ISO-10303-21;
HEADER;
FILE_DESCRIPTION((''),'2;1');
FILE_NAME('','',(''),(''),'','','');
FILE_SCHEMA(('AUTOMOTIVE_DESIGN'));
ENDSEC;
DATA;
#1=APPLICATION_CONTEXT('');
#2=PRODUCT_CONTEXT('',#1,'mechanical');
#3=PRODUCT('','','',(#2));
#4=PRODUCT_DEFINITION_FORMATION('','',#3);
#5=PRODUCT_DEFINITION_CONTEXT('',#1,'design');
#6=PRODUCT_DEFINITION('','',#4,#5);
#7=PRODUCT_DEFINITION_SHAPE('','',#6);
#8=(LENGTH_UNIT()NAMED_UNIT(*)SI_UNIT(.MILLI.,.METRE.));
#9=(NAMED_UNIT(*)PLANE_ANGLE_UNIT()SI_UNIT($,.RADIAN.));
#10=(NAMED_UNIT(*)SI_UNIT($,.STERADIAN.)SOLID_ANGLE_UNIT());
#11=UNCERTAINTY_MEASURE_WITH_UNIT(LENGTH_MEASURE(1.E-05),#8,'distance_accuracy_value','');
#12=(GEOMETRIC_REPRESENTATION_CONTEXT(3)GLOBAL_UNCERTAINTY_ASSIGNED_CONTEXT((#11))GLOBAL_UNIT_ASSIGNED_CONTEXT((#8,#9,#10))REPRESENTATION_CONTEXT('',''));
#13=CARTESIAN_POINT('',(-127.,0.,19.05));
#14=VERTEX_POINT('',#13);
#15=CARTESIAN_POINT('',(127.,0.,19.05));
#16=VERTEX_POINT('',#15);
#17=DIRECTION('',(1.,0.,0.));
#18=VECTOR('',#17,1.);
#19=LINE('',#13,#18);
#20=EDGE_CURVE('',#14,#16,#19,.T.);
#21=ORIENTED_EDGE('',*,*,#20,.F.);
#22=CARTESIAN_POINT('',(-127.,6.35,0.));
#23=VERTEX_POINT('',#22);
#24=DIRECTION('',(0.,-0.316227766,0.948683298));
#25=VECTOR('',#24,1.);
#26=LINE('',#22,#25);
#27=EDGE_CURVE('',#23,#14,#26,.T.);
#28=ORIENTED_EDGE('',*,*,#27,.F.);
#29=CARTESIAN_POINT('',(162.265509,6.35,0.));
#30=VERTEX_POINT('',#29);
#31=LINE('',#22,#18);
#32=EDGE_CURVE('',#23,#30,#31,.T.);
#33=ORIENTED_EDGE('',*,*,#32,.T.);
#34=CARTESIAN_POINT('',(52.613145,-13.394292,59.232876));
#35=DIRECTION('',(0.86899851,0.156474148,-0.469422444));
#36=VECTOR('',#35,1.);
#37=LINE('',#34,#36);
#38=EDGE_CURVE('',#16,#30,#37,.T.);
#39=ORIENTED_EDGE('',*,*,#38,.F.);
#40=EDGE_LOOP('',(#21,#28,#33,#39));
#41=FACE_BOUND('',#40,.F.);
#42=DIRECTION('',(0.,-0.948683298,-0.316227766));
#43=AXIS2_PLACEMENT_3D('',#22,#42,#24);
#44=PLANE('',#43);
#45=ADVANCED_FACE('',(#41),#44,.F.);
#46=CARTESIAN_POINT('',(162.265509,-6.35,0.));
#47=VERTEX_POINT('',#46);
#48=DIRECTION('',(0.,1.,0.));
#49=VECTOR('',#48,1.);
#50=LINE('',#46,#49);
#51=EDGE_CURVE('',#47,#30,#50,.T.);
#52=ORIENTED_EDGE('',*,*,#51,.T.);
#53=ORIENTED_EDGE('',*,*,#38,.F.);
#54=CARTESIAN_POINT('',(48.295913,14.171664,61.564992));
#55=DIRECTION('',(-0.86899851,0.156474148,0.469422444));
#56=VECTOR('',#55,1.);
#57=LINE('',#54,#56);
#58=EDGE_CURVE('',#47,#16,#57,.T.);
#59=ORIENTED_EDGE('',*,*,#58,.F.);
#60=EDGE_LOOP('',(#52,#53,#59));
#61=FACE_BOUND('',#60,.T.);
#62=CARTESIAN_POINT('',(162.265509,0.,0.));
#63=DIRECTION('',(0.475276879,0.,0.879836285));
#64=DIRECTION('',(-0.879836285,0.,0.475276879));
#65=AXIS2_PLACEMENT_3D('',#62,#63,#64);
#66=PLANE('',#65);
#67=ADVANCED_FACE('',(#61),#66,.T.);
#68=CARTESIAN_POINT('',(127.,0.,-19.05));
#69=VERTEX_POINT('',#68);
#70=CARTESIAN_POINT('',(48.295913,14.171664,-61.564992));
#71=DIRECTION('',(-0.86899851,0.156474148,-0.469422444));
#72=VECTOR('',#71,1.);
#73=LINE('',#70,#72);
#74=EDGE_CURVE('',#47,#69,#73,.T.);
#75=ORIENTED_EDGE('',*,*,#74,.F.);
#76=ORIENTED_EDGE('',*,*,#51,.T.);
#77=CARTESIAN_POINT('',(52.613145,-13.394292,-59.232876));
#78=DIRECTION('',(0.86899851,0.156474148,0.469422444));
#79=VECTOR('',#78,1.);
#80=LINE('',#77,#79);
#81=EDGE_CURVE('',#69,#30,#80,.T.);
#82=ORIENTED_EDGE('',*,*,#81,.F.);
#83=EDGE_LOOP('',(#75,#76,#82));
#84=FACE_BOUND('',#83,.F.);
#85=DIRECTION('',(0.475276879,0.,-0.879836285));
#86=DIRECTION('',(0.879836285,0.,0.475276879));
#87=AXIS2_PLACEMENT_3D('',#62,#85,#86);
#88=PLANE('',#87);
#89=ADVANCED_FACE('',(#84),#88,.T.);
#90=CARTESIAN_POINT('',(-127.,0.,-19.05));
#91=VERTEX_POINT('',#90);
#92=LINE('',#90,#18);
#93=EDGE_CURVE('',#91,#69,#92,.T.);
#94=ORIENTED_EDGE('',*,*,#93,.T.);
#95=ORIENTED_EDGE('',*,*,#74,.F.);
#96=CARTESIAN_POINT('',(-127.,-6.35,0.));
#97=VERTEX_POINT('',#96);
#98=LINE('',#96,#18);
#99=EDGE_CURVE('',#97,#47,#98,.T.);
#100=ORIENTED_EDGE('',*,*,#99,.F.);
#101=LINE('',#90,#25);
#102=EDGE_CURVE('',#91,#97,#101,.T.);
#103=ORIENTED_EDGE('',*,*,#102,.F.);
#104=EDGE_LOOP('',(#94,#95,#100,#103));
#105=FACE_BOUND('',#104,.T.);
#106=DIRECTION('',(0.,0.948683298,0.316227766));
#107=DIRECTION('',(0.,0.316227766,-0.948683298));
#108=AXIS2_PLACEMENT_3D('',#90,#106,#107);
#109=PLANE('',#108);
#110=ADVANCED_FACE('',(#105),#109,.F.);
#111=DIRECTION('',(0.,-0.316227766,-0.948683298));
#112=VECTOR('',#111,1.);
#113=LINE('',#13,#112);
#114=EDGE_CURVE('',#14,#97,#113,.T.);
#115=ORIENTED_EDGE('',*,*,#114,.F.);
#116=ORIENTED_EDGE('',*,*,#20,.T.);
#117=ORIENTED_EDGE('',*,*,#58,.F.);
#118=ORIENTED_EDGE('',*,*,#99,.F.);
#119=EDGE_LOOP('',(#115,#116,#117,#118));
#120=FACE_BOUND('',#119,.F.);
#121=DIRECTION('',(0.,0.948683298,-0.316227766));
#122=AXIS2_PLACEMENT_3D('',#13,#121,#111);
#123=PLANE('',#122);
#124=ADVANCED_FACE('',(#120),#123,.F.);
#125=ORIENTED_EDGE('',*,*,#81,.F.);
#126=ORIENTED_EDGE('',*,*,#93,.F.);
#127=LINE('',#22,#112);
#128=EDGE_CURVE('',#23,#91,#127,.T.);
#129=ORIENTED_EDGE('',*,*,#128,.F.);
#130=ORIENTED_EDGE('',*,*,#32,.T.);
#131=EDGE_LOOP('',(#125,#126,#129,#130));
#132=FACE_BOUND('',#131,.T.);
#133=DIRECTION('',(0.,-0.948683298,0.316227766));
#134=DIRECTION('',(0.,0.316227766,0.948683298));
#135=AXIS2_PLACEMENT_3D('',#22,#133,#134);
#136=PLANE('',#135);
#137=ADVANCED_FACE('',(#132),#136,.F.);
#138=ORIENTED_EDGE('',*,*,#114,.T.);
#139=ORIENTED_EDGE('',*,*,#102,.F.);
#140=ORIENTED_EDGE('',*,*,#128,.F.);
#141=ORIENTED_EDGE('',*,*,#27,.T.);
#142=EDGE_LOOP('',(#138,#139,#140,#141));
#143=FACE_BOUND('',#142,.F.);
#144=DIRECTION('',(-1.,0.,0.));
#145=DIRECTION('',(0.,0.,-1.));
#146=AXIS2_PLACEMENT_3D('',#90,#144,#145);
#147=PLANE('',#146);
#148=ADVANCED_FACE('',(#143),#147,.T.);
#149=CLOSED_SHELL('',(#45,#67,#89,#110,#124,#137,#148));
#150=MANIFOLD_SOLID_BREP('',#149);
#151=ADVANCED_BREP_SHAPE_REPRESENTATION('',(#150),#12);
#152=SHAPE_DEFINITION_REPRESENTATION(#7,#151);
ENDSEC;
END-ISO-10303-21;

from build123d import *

# Parameters (mm, degrees)
F0_W     = 127
F0_H     = 19.05
F1_DEPTH = 6.35
F3_DEPTH = 298.45
F4_W     = 12.7
F4_H     = 19.05
F5_DEPTH = 324.104


with BuildPart() as f1:
    # F0 (on Front) → F1 (new body, symmetric)
    with BuildSketch(Plane.XZ):
        Polygon((0, 19.05), (-127, 19.05), (-127, -19.05), (0, -19.05), (0, 0), align=None)
        with Locations((63.5, 9.525)):
            Rectangle(F0_W, F0_H)
        Polygon((162.265509367, 0), (127, 19.05), (127, 0), align=None)
        with Locations((63.5, -9.525)):
            Rectangle(F0_W, F0_H)
        Polygon((162.265509367, 0), (127, 0), (127, -19.05), align=None)
    extrude(amount=F1_DEPTH, both=True)

    # F2 (on face) → F3 (cut)
    with BuildSketch(Plane(origin=(-127, 0, 0), x_dir=(0, -1, 0), z_dir=(-1, 0, 0))):
        Polygon((-6.35, 0), (0, 19.05), (-6.35, 19.05), align=None)
        Polygon((0, 19.05), (6.35, 0), (6.35, 19.05), align=None)
    extrude(amount=-F3_DEPTH, mode=Mode.SUBTRACT)

    # F4 (on face) → F5 (cut)
    with BuildSketch(Plane(origin=(-127, 0, 0), x_dir=(0, -1, 0), z_dir=(-1, 0, 0))):
        with Locations((0, -9.525)):
            Rectangle(F4_W, F4_H)
    extrude(amount=-F5_DEPTH, mode=Mode.SUBTRACT)

    # F6: F1 across plane


with BuildPart() as f1_1:
    add(f1.part)
    add(f1.part.mirror(Plane.XY))


solid = f1_1.part
